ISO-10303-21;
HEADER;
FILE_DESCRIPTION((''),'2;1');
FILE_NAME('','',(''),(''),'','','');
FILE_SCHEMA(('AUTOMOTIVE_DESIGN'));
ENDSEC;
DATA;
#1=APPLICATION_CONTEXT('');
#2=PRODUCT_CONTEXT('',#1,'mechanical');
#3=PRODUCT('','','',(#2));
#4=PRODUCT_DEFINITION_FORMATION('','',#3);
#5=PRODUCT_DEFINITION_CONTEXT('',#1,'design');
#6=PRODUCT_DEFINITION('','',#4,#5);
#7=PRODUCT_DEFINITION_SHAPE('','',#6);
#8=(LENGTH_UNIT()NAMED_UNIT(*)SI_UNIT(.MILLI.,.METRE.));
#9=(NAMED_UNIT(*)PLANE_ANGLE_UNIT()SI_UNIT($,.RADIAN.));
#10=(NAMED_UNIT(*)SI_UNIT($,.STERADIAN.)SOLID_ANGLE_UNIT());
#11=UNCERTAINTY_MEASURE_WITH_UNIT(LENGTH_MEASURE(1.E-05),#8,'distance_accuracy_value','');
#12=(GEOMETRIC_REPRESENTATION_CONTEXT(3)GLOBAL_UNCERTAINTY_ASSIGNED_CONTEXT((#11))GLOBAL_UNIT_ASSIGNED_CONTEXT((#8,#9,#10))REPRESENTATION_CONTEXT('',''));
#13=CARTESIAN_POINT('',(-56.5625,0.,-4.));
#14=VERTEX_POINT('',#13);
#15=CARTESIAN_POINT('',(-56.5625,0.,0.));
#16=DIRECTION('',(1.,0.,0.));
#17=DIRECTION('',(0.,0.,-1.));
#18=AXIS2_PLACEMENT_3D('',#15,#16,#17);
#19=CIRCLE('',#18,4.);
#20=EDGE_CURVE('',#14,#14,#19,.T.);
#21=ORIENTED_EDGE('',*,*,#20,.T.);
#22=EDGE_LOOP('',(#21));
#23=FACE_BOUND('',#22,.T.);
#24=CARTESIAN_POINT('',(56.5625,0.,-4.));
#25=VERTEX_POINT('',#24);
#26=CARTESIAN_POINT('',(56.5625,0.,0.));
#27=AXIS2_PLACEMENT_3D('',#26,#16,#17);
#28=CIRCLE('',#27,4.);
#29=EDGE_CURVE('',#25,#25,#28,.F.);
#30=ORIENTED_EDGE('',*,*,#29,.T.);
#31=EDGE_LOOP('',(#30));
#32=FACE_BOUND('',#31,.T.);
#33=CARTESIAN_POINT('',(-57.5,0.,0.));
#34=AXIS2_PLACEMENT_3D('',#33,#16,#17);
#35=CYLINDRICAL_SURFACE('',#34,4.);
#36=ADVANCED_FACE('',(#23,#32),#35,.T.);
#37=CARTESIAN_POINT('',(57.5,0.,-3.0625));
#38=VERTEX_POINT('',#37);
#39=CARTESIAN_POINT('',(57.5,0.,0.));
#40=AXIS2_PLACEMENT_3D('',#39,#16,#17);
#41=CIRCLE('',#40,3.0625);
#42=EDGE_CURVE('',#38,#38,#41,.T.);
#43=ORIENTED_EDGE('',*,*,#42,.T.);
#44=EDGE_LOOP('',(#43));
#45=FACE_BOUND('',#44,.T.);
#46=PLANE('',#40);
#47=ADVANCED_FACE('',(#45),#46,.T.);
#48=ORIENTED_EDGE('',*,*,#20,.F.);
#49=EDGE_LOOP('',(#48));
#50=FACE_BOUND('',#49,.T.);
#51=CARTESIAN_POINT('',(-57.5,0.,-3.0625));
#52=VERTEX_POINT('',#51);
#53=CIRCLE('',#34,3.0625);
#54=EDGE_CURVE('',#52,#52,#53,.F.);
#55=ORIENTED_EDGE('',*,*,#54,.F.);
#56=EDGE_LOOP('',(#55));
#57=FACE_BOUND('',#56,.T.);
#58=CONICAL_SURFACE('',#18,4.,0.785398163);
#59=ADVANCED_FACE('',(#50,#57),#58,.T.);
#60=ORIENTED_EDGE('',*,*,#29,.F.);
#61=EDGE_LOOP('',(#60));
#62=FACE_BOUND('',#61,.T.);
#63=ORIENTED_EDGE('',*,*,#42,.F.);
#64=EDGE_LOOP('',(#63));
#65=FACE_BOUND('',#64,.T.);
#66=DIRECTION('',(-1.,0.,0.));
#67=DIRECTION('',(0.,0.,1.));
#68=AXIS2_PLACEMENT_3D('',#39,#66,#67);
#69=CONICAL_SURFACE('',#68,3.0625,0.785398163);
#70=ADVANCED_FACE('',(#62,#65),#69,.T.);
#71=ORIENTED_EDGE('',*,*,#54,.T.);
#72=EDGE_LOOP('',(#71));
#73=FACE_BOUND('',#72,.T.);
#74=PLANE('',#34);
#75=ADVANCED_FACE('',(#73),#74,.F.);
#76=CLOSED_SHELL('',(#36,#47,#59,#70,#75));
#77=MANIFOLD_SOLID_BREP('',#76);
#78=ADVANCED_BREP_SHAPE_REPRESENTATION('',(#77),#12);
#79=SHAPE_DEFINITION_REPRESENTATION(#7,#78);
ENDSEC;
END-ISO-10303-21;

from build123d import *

# Parameters (mm, degrees)
BOSS_EXTRUDE1_DEPTH      = 57.5
BOSS_EXTRUDE1_DEPTH_BACK = 57.5
SKETCH2_R                = 4
CHAMFER1_SIZE            = 0.9375


with BuildPart() as part:
    # Sketch2 → Boss-Extrude1 (new, two sides: drawn at the far end of the back side and taken through both)
    with BuildSketch(Plane(origin=(0, 0, 0), x_dir=(0, 0, -1), z_dir=(1, 0, 0)).offset(-BOSS_EXTRUDE1_DEPTH_BACK)):
        Circle(SKETCH2_R)
    extrude(amount=BOSS_EXTRUDE1_DEPTH + BOSS_EXTRUDE1_DEPTH_BACK)

    # Chamfer1
    chamfer1_edges = [part.edges().sort_by_distance(p)[0] for p in [
        (-57.5, 0, 4),
        (57.5, 0, 4),
    ]]
    chamfer(chamfer1_edges, length=CHAMFER1_SIZE)


solid = part.part
